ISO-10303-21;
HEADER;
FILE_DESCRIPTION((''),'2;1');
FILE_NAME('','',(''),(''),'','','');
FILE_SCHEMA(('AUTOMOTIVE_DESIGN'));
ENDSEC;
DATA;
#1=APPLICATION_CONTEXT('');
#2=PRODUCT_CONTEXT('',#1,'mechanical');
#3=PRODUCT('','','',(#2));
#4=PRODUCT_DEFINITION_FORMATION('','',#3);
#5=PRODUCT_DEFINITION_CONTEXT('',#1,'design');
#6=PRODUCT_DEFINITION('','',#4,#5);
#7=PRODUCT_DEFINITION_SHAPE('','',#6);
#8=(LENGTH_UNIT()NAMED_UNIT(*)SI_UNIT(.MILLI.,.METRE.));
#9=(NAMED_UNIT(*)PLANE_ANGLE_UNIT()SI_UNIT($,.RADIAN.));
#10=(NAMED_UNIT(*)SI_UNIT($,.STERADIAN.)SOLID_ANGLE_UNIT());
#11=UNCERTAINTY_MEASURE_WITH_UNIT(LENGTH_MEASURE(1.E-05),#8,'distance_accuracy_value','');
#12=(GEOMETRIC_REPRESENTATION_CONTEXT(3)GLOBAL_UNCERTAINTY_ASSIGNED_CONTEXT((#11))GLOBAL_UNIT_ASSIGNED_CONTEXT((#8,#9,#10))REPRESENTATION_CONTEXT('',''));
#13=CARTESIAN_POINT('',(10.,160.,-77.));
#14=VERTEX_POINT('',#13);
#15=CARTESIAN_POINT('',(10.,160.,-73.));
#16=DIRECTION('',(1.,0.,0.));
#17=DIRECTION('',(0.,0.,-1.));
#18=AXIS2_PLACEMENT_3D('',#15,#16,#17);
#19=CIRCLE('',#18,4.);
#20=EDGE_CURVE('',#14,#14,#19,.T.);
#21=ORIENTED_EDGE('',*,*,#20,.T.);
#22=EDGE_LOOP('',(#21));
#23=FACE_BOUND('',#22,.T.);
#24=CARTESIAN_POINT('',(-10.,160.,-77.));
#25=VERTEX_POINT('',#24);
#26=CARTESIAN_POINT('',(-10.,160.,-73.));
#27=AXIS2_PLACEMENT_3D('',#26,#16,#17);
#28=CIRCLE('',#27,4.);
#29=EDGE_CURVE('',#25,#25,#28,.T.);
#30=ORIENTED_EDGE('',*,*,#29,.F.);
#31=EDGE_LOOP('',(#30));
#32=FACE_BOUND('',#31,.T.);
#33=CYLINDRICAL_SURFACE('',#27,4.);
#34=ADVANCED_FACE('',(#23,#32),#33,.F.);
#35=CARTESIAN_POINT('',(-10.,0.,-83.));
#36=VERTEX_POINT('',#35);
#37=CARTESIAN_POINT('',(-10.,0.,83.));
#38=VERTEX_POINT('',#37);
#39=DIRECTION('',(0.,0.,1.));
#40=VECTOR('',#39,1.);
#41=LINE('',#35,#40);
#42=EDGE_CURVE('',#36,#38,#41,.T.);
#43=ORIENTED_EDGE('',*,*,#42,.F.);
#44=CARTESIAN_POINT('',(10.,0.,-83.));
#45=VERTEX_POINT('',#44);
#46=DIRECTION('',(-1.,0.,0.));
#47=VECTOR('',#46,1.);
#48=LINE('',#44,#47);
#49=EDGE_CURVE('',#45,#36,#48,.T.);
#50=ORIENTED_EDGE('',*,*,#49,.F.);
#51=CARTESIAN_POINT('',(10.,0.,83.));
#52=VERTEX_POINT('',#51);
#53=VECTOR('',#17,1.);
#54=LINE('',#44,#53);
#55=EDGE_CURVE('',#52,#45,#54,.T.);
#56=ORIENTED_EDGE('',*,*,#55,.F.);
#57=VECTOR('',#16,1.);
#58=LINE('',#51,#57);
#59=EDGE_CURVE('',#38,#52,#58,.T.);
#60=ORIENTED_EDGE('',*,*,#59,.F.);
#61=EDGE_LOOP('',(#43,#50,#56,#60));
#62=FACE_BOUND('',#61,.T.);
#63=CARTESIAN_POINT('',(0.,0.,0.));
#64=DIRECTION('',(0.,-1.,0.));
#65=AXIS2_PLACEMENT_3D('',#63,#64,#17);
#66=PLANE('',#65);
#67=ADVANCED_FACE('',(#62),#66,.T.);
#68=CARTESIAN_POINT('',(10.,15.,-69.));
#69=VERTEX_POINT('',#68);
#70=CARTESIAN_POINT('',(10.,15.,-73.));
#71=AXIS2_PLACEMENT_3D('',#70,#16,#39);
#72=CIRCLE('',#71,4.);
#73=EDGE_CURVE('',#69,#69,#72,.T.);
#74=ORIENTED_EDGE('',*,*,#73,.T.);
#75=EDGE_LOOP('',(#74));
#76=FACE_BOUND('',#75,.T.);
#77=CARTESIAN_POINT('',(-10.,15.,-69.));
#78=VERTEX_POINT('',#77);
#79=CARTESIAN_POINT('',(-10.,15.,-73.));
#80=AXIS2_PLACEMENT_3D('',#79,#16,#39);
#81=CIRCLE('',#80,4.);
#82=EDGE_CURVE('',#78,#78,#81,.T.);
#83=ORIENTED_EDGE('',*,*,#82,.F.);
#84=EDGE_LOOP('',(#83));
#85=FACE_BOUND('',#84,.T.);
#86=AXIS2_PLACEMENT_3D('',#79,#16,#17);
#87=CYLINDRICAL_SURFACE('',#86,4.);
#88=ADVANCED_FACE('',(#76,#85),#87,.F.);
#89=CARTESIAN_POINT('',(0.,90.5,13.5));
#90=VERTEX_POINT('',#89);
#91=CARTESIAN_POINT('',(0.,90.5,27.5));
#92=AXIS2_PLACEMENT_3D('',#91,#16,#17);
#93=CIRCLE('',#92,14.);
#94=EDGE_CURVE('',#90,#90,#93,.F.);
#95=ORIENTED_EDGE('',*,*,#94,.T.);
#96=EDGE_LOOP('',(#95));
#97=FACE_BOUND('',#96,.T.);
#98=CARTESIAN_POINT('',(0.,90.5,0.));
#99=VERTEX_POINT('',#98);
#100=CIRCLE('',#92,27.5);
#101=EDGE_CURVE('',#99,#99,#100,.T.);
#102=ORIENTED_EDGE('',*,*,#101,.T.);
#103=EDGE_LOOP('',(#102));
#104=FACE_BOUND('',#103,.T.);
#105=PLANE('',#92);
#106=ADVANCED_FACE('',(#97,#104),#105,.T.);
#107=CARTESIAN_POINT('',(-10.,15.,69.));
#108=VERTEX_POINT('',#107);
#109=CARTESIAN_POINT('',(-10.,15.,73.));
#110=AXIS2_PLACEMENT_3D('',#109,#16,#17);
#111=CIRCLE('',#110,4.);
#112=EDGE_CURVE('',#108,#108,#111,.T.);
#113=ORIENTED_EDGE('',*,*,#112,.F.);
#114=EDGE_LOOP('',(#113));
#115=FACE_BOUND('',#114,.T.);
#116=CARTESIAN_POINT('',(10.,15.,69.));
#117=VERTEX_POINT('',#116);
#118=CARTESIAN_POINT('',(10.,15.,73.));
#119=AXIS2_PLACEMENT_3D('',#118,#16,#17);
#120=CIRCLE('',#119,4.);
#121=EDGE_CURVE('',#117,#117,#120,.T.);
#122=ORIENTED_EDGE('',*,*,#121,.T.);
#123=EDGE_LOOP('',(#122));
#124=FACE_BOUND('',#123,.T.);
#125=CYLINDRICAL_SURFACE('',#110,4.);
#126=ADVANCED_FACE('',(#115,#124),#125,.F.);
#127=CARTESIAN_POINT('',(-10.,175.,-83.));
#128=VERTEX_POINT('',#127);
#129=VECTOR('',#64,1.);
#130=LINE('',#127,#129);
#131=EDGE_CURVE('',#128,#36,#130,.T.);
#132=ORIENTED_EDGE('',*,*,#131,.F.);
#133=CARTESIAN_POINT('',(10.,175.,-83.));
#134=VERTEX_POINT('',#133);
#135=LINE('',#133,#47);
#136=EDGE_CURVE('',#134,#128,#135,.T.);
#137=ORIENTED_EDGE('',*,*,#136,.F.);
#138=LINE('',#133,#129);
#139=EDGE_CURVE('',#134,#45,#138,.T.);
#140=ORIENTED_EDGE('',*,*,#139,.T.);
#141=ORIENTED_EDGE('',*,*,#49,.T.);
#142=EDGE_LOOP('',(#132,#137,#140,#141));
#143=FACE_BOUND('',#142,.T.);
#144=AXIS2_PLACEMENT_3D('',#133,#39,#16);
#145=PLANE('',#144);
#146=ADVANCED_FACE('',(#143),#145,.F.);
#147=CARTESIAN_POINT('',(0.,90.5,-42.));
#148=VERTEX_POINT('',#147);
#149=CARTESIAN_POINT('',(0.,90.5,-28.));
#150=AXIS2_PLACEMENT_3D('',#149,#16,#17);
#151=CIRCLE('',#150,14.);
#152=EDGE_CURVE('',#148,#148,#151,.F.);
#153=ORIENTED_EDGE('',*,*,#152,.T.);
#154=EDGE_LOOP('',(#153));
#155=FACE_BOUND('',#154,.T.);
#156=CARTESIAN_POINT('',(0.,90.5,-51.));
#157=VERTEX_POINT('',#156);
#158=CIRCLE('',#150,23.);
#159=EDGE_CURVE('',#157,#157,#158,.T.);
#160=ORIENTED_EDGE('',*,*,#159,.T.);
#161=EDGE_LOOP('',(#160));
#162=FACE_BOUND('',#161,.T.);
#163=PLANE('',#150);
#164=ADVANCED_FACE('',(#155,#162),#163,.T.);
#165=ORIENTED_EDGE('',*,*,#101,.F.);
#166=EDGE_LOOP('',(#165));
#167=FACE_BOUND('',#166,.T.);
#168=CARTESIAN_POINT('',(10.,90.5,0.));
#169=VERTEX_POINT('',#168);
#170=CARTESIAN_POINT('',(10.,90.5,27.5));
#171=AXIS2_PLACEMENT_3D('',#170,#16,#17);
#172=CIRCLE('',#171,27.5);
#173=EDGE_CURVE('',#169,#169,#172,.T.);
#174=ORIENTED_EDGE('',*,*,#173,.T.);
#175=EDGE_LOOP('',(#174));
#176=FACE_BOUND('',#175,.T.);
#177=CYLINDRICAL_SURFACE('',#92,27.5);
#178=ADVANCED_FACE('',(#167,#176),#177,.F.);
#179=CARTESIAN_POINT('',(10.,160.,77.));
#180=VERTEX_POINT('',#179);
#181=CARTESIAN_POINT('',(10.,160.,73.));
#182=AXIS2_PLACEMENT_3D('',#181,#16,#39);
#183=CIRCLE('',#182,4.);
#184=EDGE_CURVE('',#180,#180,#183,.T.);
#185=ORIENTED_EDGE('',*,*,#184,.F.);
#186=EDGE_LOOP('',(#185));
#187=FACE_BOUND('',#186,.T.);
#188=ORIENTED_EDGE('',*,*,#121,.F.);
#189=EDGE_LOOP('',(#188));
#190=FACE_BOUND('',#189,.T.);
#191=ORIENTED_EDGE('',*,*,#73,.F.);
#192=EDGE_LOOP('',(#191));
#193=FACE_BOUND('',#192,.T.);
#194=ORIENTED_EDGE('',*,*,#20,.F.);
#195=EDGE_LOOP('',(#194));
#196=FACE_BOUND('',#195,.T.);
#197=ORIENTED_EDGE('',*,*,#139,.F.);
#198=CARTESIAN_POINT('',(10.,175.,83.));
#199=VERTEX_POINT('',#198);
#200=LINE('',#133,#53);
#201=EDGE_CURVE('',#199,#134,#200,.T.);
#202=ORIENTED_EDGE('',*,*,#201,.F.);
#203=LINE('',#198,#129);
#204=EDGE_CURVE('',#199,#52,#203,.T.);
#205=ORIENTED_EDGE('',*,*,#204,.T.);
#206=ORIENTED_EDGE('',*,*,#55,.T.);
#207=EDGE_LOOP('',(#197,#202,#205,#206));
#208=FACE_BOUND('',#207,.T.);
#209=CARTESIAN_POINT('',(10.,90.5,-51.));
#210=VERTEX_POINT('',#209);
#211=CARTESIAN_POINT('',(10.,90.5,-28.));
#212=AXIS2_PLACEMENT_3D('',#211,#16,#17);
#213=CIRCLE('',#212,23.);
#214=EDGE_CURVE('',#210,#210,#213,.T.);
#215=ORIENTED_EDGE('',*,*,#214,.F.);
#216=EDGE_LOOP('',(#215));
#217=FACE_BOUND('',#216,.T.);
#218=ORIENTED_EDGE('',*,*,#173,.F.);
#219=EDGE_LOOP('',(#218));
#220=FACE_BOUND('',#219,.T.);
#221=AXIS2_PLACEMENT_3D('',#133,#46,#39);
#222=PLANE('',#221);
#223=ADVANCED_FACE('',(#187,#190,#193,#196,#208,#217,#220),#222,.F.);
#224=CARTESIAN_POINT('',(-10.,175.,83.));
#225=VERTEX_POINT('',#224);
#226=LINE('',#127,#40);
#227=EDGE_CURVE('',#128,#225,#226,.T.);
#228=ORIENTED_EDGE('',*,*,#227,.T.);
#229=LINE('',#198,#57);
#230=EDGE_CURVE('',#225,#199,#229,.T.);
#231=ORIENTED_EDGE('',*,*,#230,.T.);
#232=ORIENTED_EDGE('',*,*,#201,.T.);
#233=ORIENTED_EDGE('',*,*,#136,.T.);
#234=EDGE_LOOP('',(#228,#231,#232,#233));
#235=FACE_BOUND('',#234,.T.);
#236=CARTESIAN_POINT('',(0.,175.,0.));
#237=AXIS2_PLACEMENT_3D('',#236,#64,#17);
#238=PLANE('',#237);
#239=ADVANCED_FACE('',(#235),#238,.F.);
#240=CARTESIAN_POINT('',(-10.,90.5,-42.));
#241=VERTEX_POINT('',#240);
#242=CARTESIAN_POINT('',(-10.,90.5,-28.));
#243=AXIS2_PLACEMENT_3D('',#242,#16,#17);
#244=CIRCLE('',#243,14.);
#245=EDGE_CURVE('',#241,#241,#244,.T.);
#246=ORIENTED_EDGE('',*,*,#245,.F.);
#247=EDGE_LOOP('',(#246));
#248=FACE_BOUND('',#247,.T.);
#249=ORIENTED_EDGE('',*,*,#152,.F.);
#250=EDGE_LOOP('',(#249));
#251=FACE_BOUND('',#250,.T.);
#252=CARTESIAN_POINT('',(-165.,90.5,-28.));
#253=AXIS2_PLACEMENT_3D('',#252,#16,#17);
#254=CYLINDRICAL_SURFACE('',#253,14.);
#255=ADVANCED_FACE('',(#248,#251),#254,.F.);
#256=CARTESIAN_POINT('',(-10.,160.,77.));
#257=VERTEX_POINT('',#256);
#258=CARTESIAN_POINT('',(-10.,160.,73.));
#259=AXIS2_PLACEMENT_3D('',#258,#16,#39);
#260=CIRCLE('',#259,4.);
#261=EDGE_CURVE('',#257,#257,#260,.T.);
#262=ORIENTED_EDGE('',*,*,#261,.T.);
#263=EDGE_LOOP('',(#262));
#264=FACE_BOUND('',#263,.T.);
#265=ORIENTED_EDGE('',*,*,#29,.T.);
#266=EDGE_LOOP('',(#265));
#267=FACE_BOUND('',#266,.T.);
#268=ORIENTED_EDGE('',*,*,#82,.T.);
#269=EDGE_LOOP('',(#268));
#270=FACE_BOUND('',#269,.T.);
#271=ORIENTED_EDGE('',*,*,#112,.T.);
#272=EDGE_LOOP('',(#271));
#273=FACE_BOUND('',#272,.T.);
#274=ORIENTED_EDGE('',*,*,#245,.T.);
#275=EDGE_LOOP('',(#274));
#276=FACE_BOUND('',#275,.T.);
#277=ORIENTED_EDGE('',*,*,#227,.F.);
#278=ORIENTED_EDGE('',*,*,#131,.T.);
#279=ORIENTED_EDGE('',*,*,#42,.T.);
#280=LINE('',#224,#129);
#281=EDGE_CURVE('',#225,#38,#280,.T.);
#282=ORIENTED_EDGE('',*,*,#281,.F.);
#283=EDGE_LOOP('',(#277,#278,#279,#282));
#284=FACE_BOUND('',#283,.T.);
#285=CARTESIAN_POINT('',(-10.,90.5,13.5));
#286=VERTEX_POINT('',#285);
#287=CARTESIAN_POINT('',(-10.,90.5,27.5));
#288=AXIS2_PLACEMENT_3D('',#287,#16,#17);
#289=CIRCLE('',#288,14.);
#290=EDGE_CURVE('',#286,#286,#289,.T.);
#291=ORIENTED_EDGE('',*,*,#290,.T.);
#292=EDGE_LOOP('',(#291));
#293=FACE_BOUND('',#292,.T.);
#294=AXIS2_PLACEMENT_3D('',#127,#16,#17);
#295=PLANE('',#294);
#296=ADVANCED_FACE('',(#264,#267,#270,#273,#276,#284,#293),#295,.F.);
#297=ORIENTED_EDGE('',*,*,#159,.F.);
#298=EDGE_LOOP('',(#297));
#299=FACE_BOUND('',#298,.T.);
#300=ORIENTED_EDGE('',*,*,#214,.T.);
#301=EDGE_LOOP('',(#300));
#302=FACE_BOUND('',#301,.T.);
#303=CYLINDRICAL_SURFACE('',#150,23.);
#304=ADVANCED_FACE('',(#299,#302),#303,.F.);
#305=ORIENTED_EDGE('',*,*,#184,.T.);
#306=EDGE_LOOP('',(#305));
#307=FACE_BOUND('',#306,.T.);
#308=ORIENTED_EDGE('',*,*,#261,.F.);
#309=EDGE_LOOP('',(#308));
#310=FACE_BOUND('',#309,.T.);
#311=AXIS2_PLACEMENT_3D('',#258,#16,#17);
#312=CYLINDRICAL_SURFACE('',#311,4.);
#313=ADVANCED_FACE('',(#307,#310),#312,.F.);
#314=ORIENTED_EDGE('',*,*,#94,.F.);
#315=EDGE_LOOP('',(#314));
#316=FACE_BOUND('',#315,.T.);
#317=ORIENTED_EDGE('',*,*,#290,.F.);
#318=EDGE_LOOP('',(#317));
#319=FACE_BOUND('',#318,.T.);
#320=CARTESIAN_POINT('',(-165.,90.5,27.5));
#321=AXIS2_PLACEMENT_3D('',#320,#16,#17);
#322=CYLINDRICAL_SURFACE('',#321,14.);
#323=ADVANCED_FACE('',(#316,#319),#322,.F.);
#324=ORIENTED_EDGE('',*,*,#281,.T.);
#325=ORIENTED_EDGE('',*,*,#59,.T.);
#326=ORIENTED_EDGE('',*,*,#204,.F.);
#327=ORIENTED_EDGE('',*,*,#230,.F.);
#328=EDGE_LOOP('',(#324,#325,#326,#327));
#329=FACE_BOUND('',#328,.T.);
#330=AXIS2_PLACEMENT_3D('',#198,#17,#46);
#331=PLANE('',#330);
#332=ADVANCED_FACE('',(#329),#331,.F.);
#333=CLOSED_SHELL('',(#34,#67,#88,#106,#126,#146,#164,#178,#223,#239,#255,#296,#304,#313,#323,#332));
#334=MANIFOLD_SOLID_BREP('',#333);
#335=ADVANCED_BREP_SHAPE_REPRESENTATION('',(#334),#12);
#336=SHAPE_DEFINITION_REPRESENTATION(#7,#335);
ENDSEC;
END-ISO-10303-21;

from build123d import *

# Parameters (mm, degrees)
SKETCH1_W           = 20
SKETCH1_H           = 166
BOSS_EXTRUDE1_DEPTH = 175
SKETCH2_R           = 14
CUT_EXTRUDE1_DEPTH  = 175
SKETCH3_R           = 27.5
SKETCH3_R_2         = 23
CUT_EXTRUDE2_DEPTH  = 10
SKETCH4_R           = 4
CUT_EXTRUDE3_DEPTH  = 21


with BuildPart() as part:
    # Sketch1 → Boss-Extrude1 (new body)
    with BuildSketch(Plane(origin=(0, 0, 0), x_dir=(1, 0, 0), z_dir=(0, 1, 0))):
        Rectangle(SKETCH1_W, SKETCH1_H)
    extrude(amount=BOSS_EXTRUDE1_DEPTH)

    # Sketch2 → Cut-Extrude1 (cut)
    with BuildSketch(Plane(origin=(10, 0, 0), x_dir=(0, 0, -1), z_dir=(1, 0, 0))):
        with Locations((-27.5, 90.5)):
            Circle(SKETCH2_R)
        with Locations((28, 90.5)):
            Circle(SKETCH2_R)
    extrude(amount=-CUT_EXTRUDE1_DEPTH, mode=Mode.SUBTRACT)

    # Sketch3 → Cut-Extrude2 (cut)
    with BuildSketch(Plane(origin=(10, 0, 0), x_dir=(0, 0, -1), z_dir=(1, 0, 0))):
        with Locations((-27.5, 90.5)):
            Circle(SKETCH3_R)
        with Locations((28, 90.5)):
            Circle(SKETCH3_R_2)
    extrude(amount=-CUT_EXTRUDE2_DEPTH, mode=Mode.SUBTRACT)

    # Sketch4 → Cut-Extrude3 (cut, through all)
    with BuildSketch(Plane(origin=(10, 0, 0), x_dir=(0, 0, -1), z_dir=(1, 0, 0))):
        with Locations((73, 160)):
            Circle(SKETCH4_R)
        with Locations((73, 15)):
            Circle(SKETCH4_R)
        with Locations((-73, 15)):
            Circle(SKETCH4_R)
        with Locations((-73, 160)):
            Circle(SKETCH4_R)
    extrude(amount=-CUT_EXTRUDE3_DEPTH, mode=Mode.SUBTRACT)


solid = part.part
